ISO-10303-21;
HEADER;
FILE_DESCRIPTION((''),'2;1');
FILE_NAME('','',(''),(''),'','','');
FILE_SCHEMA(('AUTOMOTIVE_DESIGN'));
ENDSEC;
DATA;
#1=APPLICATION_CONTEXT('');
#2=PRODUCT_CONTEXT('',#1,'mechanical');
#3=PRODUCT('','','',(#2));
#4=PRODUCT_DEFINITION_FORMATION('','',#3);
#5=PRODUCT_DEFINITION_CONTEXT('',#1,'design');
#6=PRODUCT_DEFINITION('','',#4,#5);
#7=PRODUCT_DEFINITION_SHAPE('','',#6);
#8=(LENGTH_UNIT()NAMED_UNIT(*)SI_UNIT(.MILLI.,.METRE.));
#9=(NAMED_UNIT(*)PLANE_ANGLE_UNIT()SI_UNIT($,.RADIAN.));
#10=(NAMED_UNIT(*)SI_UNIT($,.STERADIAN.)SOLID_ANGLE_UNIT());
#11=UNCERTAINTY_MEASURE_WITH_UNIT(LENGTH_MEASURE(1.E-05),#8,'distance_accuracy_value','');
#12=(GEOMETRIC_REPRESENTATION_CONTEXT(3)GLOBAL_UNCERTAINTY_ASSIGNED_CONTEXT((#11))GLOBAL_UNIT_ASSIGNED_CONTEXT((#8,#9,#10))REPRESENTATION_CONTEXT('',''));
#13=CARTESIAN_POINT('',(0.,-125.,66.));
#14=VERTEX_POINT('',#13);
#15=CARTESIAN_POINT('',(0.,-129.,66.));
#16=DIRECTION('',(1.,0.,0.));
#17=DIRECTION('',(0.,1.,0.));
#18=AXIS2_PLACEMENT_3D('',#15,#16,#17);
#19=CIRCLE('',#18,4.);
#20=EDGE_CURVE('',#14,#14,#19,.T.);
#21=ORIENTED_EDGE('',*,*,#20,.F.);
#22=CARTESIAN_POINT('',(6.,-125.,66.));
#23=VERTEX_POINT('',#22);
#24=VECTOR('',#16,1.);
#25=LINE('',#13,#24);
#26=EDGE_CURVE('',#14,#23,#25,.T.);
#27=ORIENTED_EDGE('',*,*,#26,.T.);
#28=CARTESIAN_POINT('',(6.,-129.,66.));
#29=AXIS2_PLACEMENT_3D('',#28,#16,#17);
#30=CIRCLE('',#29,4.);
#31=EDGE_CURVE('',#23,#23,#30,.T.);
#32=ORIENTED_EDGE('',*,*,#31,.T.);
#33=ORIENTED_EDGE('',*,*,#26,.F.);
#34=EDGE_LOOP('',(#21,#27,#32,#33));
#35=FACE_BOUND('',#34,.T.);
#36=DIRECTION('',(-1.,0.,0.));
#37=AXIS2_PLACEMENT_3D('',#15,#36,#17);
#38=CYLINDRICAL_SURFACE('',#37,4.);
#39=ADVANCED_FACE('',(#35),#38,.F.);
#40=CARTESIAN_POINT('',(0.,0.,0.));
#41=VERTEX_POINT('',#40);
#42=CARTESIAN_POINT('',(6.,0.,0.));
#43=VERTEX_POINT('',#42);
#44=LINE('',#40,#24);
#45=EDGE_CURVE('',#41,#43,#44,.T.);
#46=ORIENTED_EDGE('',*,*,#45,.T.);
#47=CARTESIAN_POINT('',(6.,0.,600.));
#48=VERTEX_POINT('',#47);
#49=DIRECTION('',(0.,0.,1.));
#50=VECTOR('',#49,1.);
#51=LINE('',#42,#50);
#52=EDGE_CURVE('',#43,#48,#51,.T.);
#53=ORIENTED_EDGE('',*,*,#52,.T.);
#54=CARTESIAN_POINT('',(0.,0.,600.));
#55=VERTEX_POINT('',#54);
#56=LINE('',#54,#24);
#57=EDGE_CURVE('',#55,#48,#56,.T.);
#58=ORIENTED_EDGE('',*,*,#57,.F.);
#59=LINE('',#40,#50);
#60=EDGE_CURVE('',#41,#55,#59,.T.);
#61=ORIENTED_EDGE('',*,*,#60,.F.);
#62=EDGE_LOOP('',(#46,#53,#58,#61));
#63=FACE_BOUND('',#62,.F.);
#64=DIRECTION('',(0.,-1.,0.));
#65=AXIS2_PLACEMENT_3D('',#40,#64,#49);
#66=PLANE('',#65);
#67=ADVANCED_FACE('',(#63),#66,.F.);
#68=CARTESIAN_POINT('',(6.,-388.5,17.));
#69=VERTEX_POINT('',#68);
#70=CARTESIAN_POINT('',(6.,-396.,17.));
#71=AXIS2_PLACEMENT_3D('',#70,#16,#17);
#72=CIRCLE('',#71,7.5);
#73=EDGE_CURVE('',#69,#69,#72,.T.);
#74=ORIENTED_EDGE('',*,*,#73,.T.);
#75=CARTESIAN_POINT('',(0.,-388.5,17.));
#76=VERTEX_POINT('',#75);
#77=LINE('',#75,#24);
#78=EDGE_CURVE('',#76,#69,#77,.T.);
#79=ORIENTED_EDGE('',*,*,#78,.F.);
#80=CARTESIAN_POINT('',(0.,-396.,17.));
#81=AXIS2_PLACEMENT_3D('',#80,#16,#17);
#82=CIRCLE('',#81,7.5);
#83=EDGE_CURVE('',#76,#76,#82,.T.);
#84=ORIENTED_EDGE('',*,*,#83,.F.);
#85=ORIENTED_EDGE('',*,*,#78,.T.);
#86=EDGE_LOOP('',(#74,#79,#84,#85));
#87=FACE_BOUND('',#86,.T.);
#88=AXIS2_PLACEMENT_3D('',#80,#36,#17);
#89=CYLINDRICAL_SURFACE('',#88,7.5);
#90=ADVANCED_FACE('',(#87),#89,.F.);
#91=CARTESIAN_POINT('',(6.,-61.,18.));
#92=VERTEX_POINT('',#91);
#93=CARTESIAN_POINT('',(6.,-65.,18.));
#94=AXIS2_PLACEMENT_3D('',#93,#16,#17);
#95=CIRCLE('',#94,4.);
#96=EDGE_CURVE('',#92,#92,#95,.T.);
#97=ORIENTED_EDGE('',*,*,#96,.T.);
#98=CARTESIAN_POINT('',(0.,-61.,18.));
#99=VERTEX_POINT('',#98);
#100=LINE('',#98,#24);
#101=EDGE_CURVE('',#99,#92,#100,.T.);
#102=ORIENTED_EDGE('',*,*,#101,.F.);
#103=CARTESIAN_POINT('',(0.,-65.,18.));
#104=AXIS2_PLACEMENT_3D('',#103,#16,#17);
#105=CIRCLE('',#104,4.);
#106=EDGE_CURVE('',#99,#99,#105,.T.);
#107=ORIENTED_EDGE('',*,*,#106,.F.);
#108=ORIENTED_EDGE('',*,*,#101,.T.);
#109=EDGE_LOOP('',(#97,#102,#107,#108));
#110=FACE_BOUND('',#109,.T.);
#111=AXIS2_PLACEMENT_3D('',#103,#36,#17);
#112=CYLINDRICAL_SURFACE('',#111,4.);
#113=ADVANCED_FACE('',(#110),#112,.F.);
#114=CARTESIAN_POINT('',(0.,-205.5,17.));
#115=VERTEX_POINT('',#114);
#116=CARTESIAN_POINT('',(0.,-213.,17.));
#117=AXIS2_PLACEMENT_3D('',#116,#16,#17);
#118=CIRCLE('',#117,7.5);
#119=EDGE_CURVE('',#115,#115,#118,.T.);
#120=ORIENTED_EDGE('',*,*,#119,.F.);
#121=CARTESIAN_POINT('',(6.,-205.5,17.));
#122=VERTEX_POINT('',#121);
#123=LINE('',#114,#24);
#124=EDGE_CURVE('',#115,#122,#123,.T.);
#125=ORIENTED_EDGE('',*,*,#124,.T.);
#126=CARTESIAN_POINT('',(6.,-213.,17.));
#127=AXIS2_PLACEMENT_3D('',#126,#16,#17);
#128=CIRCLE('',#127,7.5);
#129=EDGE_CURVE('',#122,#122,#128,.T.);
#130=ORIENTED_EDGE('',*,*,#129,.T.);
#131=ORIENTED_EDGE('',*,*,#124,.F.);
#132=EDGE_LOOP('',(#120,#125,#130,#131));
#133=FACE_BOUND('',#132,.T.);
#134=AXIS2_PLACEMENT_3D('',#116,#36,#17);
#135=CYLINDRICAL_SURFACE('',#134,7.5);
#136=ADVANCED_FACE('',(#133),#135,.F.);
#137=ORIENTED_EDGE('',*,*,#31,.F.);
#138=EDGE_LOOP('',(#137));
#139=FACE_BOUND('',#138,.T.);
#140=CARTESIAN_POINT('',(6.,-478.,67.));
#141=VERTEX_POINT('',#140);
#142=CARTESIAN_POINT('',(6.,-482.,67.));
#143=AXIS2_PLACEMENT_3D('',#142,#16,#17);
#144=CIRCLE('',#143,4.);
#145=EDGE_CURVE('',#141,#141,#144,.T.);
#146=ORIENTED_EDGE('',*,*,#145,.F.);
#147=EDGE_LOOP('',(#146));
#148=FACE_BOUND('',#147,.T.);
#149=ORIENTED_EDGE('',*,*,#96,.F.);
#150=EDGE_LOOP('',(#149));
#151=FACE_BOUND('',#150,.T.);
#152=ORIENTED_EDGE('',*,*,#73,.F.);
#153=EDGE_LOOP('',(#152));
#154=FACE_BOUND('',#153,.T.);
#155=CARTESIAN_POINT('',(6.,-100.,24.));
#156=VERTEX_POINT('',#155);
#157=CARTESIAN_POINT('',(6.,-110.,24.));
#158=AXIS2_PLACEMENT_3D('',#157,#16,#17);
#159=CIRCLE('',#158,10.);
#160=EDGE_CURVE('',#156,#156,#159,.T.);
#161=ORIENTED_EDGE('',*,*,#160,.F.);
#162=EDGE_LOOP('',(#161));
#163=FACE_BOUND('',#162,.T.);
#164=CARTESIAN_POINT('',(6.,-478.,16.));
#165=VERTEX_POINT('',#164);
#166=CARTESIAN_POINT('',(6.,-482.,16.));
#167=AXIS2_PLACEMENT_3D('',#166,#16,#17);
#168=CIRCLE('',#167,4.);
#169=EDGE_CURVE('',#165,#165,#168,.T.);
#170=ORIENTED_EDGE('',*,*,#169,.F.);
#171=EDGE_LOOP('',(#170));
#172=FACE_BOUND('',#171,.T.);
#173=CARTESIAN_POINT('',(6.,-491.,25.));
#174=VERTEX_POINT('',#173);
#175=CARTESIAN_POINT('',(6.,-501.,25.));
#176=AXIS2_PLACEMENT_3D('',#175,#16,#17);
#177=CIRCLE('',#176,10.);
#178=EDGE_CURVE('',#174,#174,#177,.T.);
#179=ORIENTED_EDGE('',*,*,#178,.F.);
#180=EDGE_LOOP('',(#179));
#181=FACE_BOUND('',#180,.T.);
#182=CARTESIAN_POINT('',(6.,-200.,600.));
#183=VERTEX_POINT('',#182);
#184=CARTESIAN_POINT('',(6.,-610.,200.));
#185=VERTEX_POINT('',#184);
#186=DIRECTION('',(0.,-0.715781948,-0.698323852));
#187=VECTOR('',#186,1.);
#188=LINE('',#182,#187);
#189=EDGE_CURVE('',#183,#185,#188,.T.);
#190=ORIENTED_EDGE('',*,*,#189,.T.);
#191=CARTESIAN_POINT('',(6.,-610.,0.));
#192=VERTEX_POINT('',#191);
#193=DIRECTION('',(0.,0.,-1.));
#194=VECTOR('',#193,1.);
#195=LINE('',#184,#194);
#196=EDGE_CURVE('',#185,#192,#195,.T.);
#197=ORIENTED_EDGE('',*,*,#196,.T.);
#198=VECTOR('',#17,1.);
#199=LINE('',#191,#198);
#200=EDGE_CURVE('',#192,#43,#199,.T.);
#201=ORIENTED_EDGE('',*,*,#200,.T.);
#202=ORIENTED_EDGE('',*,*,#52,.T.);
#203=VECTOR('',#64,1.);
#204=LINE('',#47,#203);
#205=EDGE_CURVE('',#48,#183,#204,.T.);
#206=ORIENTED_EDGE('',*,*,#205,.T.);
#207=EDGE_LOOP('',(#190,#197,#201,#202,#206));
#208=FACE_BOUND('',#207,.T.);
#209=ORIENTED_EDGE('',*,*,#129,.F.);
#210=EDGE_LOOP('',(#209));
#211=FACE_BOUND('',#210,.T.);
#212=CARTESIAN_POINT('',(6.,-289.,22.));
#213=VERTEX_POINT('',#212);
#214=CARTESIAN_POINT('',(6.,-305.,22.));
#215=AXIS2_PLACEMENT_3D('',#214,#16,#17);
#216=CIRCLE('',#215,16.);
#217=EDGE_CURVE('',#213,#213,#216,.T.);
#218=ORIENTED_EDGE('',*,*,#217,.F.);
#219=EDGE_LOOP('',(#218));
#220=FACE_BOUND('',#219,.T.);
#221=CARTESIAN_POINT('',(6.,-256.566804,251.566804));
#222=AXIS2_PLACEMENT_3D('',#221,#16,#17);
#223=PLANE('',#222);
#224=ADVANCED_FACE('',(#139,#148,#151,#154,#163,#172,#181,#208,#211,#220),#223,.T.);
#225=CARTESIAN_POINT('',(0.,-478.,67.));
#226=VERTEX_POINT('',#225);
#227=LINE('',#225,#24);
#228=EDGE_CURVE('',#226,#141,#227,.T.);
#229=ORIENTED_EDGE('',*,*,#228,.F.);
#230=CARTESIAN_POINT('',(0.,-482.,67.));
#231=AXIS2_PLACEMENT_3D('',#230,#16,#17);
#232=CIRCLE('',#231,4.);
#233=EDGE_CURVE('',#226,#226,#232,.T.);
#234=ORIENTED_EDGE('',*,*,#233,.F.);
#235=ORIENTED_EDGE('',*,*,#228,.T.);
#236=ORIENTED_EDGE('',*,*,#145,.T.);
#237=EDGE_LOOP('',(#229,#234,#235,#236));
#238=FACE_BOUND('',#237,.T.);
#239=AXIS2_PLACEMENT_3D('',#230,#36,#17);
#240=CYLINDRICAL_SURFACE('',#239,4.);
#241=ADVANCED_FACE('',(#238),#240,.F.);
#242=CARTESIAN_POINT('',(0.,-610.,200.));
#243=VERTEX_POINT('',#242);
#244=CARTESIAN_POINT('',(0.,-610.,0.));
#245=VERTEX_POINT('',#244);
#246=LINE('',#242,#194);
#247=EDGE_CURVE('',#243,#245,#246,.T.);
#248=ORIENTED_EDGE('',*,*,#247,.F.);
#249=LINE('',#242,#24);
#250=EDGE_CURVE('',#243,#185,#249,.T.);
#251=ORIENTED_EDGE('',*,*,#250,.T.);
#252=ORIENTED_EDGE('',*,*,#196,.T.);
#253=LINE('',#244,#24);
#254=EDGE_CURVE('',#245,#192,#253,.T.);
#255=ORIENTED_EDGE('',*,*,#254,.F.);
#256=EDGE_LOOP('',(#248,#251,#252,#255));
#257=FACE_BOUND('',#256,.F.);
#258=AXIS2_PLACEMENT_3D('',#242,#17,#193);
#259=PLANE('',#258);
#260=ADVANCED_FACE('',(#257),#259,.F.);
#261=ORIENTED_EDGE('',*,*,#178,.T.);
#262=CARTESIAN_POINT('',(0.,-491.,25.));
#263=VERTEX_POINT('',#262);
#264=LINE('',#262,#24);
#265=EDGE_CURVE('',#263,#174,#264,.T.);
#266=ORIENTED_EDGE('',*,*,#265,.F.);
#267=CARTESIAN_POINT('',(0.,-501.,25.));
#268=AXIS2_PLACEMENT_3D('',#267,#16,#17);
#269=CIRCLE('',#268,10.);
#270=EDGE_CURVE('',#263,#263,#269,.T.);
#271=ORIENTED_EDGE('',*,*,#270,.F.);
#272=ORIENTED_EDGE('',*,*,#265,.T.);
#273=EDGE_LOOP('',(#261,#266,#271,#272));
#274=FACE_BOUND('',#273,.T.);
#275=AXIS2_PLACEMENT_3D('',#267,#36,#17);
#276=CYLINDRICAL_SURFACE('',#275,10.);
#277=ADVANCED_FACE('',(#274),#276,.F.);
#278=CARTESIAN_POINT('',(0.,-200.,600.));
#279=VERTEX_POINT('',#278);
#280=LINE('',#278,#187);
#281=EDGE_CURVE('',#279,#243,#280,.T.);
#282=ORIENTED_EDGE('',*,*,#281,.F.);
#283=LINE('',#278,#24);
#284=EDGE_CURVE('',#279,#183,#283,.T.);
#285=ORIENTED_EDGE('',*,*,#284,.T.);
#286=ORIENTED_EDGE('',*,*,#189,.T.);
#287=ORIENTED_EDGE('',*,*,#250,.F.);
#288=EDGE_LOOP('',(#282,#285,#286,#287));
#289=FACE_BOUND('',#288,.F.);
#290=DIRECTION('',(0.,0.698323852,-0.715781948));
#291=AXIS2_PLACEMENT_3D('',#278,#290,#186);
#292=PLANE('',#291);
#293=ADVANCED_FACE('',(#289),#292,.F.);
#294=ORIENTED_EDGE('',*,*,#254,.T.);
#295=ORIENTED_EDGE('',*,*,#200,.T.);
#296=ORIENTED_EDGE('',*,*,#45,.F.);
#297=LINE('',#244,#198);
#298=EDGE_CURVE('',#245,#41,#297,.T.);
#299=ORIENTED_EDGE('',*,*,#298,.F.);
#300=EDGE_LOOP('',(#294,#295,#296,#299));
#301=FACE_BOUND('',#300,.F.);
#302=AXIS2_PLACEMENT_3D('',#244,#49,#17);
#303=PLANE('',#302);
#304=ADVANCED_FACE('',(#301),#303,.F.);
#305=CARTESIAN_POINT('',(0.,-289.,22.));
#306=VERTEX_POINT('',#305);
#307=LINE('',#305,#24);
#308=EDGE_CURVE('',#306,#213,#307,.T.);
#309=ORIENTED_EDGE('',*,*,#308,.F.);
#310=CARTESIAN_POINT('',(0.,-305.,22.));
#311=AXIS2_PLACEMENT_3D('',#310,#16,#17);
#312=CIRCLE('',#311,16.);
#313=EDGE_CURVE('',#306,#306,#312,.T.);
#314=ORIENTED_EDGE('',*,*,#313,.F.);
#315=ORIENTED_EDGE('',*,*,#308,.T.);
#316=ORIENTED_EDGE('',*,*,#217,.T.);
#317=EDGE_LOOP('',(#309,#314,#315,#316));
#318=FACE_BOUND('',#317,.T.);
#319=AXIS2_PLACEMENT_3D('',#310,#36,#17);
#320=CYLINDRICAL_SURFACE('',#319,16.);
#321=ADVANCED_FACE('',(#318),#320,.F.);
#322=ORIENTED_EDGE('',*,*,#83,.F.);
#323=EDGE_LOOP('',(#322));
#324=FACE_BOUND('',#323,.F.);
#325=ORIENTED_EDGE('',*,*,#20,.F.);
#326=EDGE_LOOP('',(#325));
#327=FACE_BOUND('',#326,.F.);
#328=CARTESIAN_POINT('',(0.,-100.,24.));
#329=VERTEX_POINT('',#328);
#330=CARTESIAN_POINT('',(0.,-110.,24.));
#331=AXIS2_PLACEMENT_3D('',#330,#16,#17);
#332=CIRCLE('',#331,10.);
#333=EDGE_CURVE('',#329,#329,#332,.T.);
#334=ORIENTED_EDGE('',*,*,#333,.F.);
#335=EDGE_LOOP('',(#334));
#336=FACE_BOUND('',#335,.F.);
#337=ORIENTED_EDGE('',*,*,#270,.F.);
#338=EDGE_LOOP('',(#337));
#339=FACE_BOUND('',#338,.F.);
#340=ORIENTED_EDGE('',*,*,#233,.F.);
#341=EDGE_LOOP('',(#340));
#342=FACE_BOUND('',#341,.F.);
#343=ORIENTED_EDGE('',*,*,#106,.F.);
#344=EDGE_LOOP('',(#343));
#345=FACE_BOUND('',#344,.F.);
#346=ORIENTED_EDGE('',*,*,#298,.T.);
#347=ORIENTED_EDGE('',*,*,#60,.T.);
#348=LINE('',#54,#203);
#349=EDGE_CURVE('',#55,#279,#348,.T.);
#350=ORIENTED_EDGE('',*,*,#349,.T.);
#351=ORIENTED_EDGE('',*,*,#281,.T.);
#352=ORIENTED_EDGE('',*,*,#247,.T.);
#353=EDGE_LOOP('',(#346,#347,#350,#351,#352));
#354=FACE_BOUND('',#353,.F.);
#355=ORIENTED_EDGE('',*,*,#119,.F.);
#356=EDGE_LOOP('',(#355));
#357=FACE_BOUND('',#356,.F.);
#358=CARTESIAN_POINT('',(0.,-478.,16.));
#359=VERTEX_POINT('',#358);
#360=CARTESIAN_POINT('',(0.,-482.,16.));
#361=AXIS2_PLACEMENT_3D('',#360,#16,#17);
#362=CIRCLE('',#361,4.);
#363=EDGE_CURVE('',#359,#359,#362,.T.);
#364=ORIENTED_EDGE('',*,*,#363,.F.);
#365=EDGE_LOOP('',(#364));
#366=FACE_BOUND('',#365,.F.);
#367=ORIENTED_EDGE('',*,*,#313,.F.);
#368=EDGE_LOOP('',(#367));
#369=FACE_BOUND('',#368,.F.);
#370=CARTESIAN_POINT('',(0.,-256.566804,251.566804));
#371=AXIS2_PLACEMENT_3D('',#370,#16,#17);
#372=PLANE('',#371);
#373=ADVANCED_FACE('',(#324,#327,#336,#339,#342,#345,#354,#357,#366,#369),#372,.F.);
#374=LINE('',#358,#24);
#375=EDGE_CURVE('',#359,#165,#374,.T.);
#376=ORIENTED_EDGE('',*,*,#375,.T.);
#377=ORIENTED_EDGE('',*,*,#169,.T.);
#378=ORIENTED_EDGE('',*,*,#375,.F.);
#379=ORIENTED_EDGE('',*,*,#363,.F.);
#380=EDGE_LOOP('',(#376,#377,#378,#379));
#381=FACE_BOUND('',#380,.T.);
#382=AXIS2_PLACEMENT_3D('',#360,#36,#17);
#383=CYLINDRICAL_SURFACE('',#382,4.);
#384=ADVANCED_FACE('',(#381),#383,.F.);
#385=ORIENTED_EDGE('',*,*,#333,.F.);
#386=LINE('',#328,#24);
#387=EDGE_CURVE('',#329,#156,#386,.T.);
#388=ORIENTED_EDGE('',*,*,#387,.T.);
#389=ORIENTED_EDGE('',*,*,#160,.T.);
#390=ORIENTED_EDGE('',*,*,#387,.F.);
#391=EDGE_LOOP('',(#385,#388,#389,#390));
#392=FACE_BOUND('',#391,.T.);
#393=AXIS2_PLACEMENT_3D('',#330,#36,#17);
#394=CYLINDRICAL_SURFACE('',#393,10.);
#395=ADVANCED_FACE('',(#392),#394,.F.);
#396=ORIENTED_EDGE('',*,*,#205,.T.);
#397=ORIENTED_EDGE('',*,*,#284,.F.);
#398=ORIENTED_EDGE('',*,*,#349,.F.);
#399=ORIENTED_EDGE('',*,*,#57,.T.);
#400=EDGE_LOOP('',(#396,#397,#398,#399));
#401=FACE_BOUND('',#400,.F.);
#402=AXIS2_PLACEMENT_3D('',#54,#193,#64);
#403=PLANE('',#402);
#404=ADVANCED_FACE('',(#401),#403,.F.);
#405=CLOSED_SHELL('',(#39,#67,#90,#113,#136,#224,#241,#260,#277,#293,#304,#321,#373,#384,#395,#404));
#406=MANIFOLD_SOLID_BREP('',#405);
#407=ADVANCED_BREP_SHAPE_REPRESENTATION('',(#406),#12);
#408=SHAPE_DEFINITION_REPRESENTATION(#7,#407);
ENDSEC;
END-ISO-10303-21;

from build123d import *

# Parameters (mm, degrees)
F0_R     = 10
F0_R_2   = 4
F0_R_3   = 7.5
F0_R_4   = 16
F1_DEPTH = 6


with BuildPart() as f1:
    # F0 (on Right) → F1 (new body)
    with BuildSketch(Plane.YZ):
        Polygon((-496, 0), (0, 0), (0, 600), (-200, 600), (-610, 200), (-610, 0), align=None)
        with Locations((-501, 25)):
            Circle(F0_R, mode=Mode.SUBTRACT)
        with Locations((-482, 16)):
            Circle(F0_R_2, mode=Mode.SUBTRACT)
        with Locations((-482, 67)):
            Circle(F0_R_2, mode=Mode.SUBTRACT)
        with Locations((-396, 17)):
            Circle(F0_R_3, mode=Mode.SUBTRACT)
        with Locations((-305, 22)):
            Circle(F0_R_4, mode=Mode.SUBTRACT)
        with Locations((-213, 17)):
            Circle(F0_R_3, mode=Mode.SUBTRACT)
        with Locations((-110, 24)):
            Circle(F0_R, mode=Mode.SUBTRACT)
        with Locations((-129, 66)):
            Circle(F0_R_2, mode=Mode.SUBTRACT)
        with Locations((-65, 18)):
            Circle(F0_R_2, mode=Mode.SUBTRACT)
    extrude(amount=F1_DEPTH)


solid = f1.part
